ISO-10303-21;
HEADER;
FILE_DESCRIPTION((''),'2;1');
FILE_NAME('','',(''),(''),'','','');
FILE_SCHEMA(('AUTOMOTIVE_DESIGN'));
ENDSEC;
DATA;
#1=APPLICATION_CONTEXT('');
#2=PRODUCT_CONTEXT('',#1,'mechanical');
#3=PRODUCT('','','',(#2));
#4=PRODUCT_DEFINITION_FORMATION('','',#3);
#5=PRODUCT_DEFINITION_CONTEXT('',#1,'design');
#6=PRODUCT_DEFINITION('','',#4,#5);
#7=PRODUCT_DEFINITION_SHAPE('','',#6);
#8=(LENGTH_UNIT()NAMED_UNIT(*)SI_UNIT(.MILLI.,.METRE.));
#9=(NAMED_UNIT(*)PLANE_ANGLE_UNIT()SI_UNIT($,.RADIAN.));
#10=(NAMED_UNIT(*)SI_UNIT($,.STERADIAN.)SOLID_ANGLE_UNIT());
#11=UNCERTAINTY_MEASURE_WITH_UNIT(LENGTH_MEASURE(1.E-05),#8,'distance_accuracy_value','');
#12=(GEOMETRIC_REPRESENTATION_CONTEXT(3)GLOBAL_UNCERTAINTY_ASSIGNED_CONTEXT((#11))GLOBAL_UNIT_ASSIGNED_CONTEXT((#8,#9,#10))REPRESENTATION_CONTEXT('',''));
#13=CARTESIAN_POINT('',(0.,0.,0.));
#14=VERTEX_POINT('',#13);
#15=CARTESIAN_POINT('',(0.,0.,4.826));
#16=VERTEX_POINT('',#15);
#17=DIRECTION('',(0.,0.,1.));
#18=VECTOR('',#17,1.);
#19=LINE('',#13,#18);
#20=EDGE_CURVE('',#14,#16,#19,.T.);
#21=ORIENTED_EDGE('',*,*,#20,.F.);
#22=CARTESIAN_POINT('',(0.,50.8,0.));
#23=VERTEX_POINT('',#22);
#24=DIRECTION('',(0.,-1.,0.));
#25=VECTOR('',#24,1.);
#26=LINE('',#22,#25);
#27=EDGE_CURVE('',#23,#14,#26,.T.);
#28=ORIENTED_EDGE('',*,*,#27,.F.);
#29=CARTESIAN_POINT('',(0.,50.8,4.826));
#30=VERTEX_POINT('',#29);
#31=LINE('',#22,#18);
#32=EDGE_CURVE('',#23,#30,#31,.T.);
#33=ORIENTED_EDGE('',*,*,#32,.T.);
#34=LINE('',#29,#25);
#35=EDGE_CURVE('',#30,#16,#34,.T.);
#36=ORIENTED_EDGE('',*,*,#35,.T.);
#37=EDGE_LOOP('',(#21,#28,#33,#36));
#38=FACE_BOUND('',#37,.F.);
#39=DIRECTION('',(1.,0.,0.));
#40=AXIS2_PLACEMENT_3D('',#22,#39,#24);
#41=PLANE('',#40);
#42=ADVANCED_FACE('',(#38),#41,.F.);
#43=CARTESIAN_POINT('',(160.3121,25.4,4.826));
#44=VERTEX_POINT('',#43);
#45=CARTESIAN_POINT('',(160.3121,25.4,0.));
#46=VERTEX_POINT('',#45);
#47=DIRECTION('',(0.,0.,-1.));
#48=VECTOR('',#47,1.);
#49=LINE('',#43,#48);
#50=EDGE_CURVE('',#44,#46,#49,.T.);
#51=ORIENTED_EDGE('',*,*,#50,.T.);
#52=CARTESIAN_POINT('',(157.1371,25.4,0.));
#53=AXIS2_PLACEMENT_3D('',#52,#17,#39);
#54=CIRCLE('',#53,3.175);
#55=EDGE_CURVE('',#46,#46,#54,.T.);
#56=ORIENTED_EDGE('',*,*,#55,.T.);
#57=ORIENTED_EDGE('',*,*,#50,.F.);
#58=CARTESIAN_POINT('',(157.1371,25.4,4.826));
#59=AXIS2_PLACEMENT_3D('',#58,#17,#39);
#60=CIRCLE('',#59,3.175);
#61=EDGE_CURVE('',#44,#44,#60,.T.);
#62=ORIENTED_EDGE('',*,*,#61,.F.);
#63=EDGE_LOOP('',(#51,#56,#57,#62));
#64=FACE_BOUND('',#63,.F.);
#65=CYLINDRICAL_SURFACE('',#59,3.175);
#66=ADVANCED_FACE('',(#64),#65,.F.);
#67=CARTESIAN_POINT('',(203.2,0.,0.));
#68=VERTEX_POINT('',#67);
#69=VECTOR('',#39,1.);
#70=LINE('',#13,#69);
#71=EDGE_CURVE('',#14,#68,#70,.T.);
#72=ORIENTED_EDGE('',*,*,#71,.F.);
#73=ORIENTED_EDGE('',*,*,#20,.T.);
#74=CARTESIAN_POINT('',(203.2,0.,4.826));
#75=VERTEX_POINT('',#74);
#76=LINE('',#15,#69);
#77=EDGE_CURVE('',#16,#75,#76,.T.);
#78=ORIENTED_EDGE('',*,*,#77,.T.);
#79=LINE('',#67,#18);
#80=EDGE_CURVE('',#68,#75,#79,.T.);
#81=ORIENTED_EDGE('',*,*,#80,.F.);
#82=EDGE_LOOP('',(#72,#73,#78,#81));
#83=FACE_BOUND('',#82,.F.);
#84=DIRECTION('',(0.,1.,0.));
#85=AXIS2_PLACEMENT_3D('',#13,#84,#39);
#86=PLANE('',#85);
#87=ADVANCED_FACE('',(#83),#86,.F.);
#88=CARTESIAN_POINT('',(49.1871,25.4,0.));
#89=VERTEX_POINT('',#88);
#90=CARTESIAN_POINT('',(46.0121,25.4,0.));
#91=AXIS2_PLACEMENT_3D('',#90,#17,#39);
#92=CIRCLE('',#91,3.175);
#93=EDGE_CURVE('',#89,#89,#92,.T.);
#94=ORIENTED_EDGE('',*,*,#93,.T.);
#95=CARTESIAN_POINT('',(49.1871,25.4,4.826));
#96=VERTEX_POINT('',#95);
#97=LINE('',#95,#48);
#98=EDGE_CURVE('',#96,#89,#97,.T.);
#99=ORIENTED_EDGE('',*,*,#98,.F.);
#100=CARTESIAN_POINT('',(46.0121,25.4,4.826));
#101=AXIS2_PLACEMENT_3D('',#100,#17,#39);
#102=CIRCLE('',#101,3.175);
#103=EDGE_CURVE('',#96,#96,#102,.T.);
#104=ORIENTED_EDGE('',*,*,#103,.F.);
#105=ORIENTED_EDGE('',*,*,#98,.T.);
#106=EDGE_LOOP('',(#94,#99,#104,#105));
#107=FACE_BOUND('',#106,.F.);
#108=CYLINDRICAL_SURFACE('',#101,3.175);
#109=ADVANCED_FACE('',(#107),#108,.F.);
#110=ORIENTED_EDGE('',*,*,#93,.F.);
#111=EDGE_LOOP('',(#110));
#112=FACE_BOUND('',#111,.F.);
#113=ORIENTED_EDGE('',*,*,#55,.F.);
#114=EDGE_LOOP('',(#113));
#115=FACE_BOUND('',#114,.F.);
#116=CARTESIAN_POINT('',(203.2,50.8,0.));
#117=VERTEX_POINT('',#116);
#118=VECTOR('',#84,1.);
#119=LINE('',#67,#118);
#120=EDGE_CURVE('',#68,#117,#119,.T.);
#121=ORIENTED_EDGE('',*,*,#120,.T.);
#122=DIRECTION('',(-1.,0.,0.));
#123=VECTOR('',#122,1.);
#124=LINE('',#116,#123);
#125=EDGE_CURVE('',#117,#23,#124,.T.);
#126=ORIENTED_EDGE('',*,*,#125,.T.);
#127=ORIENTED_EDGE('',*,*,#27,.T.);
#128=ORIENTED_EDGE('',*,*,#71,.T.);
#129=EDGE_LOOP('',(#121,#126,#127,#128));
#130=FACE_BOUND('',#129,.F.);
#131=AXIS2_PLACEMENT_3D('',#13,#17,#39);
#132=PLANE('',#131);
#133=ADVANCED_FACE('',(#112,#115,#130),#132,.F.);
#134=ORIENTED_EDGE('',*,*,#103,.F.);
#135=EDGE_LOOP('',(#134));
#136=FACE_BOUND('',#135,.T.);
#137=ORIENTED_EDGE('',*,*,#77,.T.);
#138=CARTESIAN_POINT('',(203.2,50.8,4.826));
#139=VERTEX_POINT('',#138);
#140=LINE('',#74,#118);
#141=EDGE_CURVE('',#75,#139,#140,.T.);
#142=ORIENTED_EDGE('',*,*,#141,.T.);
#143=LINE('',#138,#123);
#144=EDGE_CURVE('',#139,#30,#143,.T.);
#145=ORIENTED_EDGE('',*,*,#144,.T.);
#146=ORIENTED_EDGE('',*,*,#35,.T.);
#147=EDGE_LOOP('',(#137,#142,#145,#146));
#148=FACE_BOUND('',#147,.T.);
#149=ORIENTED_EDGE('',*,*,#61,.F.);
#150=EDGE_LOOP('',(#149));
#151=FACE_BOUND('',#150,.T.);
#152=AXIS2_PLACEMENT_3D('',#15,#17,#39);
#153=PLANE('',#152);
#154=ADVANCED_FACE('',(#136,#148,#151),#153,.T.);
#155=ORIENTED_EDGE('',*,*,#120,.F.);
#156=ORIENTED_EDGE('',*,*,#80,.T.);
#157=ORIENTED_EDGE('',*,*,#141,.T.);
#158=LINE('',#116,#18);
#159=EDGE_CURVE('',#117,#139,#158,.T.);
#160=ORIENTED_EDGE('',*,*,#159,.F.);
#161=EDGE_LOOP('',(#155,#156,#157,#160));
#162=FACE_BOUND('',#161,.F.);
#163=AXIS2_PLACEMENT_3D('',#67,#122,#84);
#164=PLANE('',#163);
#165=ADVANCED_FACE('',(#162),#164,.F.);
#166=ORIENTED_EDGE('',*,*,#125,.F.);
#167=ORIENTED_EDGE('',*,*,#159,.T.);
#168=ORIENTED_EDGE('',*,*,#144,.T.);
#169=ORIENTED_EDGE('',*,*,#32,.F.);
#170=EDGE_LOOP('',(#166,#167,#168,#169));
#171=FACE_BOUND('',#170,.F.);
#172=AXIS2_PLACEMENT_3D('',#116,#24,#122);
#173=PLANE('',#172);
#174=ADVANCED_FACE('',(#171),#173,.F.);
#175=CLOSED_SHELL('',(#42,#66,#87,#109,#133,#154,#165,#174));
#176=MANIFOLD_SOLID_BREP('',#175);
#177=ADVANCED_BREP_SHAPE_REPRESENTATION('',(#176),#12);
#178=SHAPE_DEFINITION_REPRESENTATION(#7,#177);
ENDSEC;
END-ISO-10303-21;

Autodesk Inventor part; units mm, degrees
ref_plane "YZ Plane" through (0, 0, 0) normal (1, 0, 0) x (0, 1, 0)
ref_plane "XZ Plane" through (0, 0, 0) normal (0, 1, 0) x (-1, 0, 0)
ref_plane "XY Plane" through (0, 0, 0) normal (0, 0, 1) x (1, 0, 0)
sketch "Sketch1" plane through (0, 0, 0) normal (0, 0, 1) x (1, 0, 0)
  line L0 (0, 0) -> (203.2, 0)
  line L1 (203.2, 0) -> (203.2, 50.8)
  line L2 (203.2, 50.8) -> (0, 50.8)
  line L3 (0, 50.8) -> (0, 0)
  dimension "d0" = 203.2
  dimension "d1" = 50.8
extrude "Extrusion1" add sketch "Sketch1" along normal blind 4.826
sketch "Sketch3" plane through (0, 0, 4.826) normal (0, 0, 1) x (1, 0, 0)
  line L0 (0, 0) -> (203.2, 0) projected
  line L1 (203.2, 50.8) -> (0, 50.8) projected
  circle A0 centre (46.0121, 35.4232) radius 4.2545 projected
  circle A1 centre (157.1371, 35.4232) radius 4.2545 projected
  line L2 (46.0121, 0) -> (46.0121, 50.8) construction
  line L3 (157.1371, 0) -> (157.1371, 50.8) construction
  circle A2 centre (46.0121, 25.4) radius 3.175
  circle A3 centre (157.1371, 25.4) radius 3.175
  dimension "d11" = 6.35
  dimension "d12" = 6.35
extrude "Extrusion2" cut sketch "Sketch3" against normal blind 6.35 contours A2 | A3
equation "\"d13\" = d12"
properties part number "Lower Motor Mount"
